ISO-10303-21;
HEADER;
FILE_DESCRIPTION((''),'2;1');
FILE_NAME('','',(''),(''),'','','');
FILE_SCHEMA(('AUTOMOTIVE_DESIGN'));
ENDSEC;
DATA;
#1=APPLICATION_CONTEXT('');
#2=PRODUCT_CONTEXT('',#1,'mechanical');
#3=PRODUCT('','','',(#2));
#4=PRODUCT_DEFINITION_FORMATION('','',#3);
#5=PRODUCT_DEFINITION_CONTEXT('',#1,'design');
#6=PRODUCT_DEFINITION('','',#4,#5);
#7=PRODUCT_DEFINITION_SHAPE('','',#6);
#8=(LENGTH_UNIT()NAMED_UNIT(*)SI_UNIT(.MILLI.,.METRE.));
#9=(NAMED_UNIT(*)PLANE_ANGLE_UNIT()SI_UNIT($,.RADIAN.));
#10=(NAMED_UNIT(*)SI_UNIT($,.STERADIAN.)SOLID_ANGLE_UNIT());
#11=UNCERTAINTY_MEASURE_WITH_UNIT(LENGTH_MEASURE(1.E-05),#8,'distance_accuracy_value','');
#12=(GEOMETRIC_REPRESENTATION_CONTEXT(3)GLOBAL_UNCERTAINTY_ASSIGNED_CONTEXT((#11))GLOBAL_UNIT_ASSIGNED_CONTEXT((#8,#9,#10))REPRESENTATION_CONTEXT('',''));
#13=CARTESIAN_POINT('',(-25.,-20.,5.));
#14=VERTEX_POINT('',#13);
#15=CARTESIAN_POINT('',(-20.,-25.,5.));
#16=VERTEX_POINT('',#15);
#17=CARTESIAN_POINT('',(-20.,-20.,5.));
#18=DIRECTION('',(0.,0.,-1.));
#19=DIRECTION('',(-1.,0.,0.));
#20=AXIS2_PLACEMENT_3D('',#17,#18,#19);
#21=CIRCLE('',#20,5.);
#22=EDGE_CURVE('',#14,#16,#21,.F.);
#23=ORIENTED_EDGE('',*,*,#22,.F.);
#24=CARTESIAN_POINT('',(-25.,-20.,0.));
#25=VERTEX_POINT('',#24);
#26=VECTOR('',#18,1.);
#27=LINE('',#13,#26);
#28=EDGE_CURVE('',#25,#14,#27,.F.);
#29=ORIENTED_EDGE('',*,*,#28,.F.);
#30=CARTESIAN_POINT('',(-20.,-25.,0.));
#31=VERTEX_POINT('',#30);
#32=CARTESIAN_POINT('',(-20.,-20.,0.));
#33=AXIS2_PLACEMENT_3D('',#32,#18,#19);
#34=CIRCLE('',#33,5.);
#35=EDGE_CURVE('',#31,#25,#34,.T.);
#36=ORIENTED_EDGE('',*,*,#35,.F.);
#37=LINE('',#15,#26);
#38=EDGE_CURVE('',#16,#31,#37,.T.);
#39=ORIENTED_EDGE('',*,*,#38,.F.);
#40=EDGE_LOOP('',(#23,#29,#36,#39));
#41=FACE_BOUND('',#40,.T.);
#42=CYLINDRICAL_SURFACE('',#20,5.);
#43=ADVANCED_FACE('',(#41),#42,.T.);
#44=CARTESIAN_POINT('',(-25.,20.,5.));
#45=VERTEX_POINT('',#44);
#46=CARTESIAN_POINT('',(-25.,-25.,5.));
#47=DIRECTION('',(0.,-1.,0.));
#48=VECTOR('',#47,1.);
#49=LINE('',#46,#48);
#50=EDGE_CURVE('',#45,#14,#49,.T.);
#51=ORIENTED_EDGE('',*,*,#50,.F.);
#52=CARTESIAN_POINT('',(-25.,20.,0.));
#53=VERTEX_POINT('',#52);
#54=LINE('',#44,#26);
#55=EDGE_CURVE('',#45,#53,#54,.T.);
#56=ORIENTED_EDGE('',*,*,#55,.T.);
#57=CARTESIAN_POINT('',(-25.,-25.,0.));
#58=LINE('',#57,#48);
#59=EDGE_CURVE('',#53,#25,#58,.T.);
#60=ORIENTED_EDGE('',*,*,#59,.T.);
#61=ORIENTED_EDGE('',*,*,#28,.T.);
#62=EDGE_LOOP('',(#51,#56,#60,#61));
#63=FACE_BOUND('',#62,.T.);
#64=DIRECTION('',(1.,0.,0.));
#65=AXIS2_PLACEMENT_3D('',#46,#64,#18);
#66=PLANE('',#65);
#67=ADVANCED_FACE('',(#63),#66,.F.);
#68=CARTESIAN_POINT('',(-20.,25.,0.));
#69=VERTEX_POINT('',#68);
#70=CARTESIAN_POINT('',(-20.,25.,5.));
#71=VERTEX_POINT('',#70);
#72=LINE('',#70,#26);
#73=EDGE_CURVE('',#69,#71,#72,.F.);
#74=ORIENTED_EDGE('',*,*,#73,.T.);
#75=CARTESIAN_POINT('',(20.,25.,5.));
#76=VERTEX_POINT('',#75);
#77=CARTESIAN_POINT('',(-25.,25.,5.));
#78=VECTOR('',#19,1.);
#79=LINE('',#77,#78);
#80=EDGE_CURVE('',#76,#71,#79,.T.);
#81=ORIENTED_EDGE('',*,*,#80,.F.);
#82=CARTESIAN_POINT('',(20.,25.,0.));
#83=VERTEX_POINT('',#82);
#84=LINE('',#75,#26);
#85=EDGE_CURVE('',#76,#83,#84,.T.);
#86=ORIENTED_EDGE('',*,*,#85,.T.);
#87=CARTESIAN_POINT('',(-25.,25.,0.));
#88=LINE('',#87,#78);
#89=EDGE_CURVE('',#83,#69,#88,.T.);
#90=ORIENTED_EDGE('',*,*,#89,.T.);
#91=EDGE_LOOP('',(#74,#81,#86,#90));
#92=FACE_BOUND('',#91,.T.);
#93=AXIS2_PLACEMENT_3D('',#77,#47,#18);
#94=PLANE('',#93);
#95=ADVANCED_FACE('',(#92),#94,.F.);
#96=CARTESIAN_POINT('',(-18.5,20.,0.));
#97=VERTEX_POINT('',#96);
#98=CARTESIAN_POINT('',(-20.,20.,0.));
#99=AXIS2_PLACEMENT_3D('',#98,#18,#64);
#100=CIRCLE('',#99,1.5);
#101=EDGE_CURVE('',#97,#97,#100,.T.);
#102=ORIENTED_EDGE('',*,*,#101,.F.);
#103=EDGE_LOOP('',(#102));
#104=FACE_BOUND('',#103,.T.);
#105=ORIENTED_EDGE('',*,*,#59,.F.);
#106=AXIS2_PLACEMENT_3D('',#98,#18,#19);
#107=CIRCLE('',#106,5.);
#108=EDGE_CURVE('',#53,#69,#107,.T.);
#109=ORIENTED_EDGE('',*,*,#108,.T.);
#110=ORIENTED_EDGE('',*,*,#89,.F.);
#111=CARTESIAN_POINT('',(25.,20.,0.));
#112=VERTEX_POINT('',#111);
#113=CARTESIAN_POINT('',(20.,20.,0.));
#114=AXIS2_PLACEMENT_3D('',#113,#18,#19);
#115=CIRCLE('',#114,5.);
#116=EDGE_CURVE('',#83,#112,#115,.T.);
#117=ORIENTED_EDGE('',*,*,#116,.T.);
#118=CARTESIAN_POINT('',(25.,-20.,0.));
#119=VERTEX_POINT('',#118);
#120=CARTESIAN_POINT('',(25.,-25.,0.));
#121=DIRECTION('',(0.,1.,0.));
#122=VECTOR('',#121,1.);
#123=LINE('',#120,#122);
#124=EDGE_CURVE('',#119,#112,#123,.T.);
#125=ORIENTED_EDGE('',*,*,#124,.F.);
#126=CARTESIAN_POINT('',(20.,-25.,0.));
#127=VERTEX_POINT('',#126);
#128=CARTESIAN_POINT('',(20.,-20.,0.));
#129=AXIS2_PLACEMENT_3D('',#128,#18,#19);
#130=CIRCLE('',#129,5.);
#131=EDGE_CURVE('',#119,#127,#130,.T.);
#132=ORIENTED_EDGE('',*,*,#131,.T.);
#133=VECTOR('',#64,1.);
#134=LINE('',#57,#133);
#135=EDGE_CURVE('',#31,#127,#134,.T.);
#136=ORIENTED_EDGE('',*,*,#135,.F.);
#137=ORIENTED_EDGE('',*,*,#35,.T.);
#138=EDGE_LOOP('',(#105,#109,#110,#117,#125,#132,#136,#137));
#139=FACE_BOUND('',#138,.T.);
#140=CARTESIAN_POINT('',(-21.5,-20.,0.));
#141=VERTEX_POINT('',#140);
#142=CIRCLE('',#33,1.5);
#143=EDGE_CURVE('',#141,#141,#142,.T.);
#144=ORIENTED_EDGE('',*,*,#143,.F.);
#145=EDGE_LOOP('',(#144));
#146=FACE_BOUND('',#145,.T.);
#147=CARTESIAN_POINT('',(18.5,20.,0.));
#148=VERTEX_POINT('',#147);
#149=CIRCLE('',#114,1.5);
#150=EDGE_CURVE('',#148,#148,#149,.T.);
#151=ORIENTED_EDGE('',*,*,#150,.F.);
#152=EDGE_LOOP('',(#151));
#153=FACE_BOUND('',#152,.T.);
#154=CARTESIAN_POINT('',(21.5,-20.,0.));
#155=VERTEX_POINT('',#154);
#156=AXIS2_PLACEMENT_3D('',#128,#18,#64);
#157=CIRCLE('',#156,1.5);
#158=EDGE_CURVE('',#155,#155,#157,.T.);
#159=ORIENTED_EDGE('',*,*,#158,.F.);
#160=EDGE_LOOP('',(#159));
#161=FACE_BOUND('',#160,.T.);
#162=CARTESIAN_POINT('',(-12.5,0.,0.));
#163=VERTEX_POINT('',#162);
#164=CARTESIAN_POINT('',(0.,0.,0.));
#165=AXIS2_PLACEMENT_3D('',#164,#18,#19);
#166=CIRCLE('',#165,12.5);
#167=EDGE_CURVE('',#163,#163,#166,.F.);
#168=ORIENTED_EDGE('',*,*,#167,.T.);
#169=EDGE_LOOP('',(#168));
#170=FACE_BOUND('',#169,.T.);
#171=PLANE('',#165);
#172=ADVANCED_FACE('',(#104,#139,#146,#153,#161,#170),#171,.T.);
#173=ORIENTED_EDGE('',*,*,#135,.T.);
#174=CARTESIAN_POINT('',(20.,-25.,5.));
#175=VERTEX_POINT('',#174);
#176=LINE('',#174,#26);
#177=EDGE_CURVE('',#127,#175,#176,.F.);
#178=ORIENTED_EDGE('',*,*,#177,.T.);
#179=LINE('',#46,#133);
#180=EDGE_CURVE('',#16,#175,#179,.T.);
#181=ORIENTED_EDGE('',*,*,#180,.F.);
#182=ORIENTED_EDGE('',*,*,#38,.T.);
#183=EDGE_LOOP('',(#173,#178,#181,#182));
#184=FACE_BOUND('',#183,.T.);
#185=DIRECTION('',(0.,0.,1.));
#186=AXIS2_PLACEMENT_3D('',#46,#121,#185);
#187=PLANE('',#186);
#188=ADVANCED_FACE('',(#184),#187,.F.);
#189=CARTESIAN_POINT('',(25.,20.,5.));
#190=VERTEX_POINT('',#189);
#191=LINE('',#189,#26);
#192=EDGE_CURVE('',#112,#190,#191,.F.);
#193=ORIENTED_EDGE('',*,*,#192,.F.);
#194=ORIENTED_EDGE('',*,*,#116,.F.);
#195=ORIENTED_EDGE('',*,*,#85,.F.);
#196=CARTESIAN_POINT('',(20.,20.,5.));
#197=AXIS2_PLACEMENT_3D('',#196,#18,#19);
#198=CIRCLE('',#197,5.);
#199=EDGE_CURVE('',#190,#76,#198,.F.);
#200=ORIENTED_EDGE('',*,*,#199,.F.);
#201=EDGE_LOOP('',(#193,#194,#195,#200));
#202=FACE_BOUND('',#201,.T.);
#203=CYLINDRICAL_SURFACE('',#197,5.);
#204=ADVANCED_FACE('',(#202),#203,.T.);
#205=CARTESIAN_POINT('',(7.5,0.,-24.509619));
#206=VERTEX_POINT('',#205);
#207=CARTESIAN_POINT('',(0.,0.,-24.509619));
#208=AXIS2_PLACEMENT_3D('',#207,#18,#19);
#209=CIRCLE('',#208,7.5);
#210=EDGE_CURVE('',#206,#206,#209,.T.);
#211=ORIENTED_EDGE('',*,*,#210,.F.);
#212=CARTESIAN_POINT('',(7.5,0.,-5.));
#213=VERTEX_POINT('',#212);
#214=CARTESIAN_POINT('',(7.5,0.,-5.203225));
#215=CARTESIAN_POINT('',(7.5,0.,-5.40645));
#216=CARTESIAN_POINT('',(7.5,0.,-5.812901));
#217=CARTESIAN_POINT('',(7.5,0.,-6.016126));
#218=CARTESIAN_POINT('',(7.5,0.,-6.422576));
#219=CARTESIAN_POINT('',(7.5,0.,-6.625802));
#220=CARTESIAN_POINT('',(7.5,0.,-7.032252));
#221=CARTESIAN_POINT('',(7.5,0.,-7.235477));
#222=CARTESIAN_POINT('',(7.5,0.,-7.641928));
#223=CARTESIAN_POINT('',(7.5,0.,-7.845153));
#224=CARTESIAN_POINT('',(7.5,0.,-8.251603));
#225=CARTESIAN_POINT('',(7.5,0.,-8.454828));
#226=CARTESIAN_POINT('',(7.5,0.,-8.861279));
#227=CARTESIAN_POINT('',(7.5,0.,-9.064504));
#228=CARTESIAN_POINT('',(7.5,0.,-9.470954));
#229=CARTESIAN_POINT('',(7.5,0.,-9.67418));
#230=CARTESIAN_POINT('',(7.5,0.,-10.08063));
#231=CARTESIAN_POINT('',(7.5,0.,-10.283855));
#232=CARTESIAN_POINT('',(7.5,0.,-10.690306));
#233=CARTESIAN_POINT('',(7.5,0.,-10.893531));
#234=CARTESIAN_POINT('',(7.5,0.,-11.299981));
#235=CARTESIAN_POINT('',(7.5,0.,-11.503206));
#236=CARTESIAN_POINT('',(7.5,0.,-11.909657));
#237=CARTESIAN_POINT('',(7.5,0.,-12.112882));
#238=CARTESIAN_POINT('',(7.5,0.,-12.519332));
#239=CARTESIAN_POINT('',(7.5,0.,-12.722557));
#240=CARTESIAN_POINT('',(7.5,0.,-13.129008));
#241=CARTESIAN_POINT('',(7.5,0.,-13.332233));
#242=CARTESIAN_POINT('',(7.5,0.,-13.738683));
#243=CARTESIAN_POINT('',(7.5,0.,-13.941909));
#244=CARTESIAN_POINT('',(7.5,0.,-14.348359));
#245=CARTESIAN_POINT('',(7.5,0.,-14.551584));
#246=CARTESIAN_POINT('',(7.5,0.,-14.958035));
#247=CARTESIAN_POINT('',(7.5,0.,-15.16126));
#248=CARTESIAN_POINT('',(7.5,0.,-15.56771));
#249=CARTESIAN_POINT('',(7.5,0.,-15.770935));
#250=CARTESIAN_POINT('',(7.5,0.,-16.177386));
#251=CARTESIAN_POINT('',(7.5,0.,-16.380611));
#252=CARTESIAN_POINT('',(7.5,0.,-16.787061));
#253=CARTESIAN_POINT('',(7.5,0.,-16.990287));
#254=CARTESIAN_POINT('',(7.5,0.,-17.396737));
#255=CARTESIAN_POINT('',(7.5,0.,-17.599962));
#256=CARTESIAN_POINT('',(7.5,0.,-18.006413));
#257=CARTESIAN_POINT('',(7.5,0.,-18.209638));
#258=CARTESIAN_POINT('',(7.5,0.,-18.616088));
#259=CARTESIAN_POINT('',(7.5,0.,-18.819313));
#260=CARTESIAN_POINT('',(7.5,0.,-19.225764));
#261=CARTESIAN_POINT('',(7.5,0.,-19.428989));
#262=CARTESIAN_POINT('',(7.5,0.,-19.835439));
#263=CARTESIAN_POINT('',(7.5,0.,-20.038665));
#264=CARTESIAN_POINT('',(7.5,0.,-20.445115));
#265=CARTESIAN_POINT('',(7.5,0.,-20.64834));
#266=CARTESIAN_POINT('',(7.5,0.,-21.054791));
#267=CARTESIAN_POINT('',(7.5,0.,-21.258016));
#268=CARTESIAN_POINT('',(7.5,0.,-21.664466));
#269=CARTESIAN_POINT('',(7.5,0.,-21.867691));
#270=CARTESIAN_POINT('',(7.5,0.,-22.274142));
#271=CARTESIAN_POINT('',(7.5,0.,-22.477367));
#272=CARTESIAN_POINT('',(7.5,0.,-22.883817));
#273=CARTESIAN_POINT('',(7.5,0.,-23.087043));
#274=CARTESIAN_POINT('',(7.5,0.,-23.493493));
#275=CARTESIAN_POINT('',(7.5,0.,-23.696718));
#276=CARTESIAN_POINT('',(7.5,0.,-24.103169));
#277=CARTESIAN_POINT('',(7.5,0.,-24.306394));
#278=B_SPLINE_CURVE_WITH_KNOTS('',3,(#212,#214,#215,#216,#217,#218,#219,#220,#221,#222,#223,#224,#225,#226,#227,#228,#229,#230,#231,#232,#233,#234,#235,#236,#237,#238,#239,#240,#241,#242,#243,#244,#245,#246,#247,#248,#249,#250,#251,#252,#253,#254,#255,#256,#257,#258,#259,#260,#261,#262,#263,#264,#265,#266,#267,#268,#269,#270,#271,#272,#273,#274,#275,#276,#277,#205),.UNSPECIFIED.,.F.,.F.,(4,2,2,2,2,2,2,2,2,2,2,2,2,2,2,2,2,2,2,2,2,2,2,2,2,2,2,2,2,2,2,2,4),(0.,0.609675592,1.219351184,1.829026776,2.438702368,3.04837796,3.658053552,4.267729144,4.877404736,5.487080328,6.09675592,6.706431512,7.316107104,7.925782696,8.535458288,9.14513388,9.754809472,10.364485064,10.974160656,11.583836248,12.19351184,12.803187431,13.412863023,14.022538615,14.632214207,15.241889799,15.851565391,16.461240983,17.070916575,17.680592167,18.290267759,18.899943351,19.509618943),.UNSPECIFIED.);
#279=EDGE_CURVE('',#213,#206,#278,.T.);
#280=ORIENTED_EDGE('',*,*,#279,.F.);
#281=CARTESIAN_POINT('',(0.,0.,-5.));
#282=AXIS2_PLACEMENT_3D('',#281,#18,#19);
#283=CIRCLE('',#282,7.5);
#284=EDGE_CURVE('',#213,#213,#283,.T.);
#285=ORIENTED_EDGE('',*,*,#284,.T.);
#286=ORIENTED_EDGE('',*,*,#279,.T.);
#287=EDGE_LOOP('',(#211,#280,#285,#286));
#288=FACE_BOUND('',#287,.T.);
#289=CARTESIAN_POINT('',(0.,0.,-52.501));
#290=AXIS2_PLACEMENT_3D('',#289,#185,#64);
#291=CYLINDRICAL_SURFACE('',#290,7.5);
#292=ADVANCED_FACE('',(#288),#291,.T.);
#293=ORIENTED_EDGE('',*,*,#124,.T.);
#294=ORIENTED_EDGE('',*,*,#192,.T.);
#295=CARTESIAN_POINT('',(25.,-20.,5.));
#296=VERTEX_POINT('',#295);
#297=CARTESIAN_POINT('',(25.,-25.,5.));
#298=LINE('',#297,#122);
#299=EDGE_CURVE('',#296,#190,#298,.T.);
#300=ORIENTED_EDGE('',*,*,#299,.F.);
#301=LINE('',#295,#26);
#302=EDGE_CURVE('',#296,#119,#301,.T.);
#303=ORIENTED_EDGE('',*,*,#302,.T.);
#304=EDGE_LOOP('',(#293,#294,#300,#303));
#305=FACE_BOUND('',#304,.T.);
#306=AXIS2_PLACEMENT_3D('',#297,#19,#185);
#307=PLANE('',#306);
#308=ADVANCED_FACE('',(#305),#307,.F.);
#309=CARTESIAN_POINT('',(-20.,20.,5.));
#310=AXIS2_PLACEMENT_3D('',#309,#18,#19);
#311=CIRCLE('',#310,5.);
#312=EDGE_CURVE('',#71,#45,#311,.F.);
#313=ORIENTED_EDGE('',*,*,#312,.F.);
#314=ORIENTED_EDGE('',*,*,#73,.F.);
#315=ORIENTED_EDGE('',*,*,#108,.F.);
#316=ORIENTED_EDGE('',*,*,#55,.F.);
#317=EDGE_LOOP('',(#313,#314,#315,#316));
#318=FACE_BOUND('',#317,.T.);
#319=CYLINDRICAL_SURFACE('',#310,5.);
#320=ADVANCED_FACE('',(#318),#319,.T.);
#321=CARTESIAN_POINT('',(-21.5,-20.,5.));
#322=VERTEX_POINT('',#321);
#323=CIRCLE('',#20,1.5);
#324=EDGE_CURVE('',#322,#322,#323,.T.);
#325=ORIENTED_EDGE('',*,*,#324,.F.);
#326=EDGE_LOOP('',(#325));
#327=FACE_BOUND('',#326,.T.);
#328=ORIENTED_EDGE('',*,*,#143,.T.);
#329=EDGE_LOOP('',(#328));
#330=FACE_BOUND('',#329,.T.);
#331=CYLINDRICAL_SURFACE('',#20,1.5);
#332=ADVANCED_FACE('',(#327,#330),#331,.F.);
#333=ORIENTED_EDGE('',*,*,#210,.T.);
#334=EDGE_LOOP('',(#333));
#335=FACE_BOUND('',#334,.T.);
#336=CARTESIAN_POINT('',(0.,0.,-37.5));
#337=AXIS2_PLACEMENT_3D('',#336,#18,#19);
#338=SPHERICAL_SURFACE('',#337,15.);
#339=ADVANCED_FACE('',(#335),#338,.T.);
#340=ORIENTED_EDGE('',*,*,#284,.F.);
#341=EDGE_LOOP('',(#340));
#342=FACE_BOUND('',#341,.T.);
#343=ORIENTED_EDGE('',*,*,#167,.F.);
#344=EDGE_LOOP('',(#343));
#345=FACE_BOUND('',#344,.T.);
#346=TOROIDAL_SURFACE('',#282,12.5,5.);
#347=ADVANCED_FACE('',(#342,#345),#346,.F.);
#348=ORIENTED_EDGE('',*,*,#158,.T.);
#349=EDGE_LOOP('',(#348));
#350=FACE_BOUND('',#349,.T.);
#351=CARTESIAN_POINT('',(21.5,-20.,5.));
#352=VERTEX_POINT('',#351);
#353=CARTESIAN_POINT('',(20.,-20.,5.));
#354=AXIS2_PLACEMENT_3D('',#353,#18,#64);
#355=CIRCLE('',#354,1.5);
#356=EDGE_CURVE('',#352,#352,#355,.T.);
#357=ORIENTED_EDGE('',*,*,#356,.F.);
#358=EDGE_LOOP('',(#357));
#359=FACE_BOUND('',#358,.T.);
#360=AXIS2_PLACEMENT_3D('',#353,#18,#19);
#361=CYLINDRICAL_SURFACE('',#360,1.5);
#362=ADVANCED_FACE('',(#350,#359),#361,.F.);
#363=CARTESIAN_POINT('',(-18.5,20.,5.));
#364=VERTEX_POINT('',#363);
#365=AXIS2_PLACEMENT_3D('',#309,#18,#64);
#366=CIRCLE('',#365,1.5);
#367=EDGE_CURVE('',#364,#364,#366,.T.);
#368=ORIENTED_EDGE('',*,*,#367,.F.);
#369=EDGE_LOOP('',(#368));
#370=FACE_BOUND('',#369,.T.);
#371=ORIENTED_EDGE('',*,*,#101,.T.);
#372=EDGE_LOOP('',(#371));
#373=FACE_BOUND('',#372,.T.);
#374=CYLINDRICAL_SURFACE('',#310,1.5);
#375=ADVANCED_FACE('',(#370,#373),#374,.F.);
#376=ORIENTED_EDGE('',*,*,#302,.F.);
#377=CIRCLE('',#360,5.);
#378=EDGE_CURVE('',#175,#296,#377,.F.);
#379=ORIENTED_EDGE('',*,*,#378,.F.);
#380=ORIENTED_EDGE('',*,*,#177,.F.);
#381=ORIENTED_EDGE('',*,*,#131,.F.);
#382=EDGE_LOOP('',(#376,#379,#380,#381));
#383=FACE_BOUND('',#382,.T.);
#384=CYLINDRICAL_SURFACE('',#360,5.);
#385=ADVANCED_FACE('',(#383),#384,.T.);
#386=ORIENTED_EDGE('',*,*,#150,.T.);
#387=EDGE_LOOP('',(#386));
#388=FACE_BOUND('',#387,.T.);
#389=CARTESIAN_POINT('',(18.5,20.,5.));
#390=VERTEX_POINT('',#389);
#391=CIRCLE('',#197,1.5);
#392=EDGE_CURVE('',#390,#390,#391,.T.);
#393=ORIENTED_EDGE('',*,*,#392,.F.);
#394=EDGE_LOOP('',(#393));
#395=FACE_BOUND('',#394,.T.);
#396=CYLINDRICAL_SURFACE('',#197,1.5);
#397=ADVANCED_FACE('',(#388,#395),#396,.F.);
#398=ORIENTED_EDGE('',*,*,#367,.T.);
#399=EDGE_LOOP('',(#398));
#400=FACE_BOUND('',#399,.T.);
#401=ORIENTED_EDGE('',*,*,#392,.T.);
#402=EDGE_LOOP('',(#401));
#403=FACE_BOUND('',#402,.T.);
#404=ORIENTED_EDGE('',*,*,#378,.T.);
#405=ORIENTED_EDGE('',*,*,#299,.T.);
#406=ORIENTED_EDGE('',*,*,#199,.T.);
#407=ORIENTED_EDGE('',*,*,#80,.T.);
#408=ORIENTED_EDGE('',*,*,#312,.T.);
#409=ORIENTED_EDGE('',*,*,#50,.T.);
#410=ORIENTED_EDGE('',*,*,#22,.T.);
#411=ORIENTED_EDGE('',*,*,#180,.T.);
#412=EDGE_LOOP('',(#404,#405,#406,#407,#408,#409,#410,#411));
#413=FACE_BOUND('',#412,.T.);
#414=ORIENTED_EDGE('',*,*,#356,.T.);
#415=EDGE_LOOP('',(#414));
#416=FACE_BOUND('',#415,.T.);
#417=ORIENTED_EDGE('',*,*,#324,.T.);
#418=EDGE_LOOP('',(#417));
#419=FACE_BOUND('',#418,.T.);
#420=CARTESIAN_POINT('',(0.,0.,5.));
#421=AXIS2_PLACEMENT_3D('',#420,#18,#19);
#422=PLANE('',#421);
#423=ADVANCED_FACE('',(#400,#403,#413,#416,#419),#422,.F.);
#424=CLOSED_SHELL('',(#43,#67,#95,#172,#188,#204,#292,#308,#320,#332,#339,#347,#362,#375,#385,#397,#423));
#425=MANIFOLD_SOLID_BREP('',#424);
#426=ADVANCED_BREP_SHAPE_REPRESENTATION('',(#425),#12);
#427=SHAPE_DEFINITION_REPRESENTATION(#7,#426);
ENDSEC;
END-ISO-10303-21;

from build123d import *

# Parameters (mm, degrees)
CROQUIS1_W                   = 50
CROQUIS1_H                   = 50
SALIENTE_EXTRUIR1_DEPTH      = 5
SALIENTE_EXTRUIR2_REACH      = 65.295
SALIENTE_EXTRUIR2_END_RADIUS = 15
CROQUIS2_R                   = 7.5
CROQUIS4_R                   = 1.5
CORTAR_EXTRUIR1_DEPTH        = 5
REDONDEO1_R                  = 5
REDONDEO2_R                  = 5


with BuildPart() as part:
    # Croquis1 → Saliente-Extruir1 (new body)
    with BuildSketch(Plane.XY):
        Rectangle(CROQUIS1_W, CROQUIS1_H)
    extrude(amount=SALIENTE_EXTRUIR1_DEPTH)



with BuildPart() as body_2:
    # Croquis3 → Revolución1 (revolve)
    with BuildSketch(Plane(origin=(0, 0, -37.5), x_dir=(-1, 0, 0), z_dir=(0, 0, -1))):
        with BuildLine():
            Line((0, 15), (0, -15))
            ThreePointArc((0, -15), (15, 0), (0, 15))
        make_face()
    revolve(axis=Axis((0, 15, -37.5), (0, -1, 0)))


with BuildPart() as part_1:
    add(part.part)

    add(body_2.part)  # Saliente-Extruir2 merges body 2
    # Saliente-Extruir2: up to this sphere (the profile starts outside it)
    saliente_extruir2_end = Location((0, 0, -37.5)) * Sphere(SALIENTE_EXTRUIR2_END_RADIUS, mode=Mode.PRIVATE)
    # Croquis2 → Saliente-Extruir2 (add, up to the surface)
    with BuildSketch(Plane(origin=(0, 0, 0), x_dir=(-1, 0, 0), z_dir=(0, 0, -1)), mode=Mode.PRIVATE) as saliente_extruir2_sk1:
        with Locations(Location((0, 0, 0), (0, 0, 180))):
            Circle(CROQUIS2_R)
    saliente_extruir2_tool1 = extrude(saliente_extruir2_sk1.sketch, amount=SALIENTE_EXTRUIR2_REACH, mode=Mode.PRIVATE) - saliente_extruir2_end
    add(saliente_extruir2_tool1.solids().sort_by_distance((0, 0, 0))[0])

    # Croquis4 → Cortar-Extruir1 (cut)
    with BuildSketch(Plane(origin=(0, 0, 0), x_dir=(-1, 0, 0), z_dir=(0, 0, -1))):
        with Locations((-20, 20)):
            Circle(CROQUIS4_R)
        with Locations(Location((20, 20, 0), (0, 0, 180))):
            Circle(CROQUIS4_R)
        with Locations((20, -20)):
            Circle(CROQUIS4_R)
        with Locations(Location((-20, -20, 0), (0, 0, 180))):
            Circle(CROQUIS4_R)
    extrude(amount=-CORTAR_EXTRUIR1_DEPTH, mode=Mode.SUBTRACT)

    # Redondeo1
    redondeo1_edges = [part_1.edges().sort_by_distance(p)[0] for p in [
        (25, -25, 2.5),
        (-25, -25, 2.5),
        (-25, 25, 2.5),
        (25, 25, 2.5),
    ]]
    fillet(redondeo1_edges, radius=REDONDEO1_R)

    # Redondeo2
    redondeo2_edges = [part_1.edges().sort_by_distance(p)[0] for p in [
        (-7.5, 0, 0),
    ]]
    fillet(redondeo2_edges, radius=REDONDEO2_R)


solid = part_1.part
